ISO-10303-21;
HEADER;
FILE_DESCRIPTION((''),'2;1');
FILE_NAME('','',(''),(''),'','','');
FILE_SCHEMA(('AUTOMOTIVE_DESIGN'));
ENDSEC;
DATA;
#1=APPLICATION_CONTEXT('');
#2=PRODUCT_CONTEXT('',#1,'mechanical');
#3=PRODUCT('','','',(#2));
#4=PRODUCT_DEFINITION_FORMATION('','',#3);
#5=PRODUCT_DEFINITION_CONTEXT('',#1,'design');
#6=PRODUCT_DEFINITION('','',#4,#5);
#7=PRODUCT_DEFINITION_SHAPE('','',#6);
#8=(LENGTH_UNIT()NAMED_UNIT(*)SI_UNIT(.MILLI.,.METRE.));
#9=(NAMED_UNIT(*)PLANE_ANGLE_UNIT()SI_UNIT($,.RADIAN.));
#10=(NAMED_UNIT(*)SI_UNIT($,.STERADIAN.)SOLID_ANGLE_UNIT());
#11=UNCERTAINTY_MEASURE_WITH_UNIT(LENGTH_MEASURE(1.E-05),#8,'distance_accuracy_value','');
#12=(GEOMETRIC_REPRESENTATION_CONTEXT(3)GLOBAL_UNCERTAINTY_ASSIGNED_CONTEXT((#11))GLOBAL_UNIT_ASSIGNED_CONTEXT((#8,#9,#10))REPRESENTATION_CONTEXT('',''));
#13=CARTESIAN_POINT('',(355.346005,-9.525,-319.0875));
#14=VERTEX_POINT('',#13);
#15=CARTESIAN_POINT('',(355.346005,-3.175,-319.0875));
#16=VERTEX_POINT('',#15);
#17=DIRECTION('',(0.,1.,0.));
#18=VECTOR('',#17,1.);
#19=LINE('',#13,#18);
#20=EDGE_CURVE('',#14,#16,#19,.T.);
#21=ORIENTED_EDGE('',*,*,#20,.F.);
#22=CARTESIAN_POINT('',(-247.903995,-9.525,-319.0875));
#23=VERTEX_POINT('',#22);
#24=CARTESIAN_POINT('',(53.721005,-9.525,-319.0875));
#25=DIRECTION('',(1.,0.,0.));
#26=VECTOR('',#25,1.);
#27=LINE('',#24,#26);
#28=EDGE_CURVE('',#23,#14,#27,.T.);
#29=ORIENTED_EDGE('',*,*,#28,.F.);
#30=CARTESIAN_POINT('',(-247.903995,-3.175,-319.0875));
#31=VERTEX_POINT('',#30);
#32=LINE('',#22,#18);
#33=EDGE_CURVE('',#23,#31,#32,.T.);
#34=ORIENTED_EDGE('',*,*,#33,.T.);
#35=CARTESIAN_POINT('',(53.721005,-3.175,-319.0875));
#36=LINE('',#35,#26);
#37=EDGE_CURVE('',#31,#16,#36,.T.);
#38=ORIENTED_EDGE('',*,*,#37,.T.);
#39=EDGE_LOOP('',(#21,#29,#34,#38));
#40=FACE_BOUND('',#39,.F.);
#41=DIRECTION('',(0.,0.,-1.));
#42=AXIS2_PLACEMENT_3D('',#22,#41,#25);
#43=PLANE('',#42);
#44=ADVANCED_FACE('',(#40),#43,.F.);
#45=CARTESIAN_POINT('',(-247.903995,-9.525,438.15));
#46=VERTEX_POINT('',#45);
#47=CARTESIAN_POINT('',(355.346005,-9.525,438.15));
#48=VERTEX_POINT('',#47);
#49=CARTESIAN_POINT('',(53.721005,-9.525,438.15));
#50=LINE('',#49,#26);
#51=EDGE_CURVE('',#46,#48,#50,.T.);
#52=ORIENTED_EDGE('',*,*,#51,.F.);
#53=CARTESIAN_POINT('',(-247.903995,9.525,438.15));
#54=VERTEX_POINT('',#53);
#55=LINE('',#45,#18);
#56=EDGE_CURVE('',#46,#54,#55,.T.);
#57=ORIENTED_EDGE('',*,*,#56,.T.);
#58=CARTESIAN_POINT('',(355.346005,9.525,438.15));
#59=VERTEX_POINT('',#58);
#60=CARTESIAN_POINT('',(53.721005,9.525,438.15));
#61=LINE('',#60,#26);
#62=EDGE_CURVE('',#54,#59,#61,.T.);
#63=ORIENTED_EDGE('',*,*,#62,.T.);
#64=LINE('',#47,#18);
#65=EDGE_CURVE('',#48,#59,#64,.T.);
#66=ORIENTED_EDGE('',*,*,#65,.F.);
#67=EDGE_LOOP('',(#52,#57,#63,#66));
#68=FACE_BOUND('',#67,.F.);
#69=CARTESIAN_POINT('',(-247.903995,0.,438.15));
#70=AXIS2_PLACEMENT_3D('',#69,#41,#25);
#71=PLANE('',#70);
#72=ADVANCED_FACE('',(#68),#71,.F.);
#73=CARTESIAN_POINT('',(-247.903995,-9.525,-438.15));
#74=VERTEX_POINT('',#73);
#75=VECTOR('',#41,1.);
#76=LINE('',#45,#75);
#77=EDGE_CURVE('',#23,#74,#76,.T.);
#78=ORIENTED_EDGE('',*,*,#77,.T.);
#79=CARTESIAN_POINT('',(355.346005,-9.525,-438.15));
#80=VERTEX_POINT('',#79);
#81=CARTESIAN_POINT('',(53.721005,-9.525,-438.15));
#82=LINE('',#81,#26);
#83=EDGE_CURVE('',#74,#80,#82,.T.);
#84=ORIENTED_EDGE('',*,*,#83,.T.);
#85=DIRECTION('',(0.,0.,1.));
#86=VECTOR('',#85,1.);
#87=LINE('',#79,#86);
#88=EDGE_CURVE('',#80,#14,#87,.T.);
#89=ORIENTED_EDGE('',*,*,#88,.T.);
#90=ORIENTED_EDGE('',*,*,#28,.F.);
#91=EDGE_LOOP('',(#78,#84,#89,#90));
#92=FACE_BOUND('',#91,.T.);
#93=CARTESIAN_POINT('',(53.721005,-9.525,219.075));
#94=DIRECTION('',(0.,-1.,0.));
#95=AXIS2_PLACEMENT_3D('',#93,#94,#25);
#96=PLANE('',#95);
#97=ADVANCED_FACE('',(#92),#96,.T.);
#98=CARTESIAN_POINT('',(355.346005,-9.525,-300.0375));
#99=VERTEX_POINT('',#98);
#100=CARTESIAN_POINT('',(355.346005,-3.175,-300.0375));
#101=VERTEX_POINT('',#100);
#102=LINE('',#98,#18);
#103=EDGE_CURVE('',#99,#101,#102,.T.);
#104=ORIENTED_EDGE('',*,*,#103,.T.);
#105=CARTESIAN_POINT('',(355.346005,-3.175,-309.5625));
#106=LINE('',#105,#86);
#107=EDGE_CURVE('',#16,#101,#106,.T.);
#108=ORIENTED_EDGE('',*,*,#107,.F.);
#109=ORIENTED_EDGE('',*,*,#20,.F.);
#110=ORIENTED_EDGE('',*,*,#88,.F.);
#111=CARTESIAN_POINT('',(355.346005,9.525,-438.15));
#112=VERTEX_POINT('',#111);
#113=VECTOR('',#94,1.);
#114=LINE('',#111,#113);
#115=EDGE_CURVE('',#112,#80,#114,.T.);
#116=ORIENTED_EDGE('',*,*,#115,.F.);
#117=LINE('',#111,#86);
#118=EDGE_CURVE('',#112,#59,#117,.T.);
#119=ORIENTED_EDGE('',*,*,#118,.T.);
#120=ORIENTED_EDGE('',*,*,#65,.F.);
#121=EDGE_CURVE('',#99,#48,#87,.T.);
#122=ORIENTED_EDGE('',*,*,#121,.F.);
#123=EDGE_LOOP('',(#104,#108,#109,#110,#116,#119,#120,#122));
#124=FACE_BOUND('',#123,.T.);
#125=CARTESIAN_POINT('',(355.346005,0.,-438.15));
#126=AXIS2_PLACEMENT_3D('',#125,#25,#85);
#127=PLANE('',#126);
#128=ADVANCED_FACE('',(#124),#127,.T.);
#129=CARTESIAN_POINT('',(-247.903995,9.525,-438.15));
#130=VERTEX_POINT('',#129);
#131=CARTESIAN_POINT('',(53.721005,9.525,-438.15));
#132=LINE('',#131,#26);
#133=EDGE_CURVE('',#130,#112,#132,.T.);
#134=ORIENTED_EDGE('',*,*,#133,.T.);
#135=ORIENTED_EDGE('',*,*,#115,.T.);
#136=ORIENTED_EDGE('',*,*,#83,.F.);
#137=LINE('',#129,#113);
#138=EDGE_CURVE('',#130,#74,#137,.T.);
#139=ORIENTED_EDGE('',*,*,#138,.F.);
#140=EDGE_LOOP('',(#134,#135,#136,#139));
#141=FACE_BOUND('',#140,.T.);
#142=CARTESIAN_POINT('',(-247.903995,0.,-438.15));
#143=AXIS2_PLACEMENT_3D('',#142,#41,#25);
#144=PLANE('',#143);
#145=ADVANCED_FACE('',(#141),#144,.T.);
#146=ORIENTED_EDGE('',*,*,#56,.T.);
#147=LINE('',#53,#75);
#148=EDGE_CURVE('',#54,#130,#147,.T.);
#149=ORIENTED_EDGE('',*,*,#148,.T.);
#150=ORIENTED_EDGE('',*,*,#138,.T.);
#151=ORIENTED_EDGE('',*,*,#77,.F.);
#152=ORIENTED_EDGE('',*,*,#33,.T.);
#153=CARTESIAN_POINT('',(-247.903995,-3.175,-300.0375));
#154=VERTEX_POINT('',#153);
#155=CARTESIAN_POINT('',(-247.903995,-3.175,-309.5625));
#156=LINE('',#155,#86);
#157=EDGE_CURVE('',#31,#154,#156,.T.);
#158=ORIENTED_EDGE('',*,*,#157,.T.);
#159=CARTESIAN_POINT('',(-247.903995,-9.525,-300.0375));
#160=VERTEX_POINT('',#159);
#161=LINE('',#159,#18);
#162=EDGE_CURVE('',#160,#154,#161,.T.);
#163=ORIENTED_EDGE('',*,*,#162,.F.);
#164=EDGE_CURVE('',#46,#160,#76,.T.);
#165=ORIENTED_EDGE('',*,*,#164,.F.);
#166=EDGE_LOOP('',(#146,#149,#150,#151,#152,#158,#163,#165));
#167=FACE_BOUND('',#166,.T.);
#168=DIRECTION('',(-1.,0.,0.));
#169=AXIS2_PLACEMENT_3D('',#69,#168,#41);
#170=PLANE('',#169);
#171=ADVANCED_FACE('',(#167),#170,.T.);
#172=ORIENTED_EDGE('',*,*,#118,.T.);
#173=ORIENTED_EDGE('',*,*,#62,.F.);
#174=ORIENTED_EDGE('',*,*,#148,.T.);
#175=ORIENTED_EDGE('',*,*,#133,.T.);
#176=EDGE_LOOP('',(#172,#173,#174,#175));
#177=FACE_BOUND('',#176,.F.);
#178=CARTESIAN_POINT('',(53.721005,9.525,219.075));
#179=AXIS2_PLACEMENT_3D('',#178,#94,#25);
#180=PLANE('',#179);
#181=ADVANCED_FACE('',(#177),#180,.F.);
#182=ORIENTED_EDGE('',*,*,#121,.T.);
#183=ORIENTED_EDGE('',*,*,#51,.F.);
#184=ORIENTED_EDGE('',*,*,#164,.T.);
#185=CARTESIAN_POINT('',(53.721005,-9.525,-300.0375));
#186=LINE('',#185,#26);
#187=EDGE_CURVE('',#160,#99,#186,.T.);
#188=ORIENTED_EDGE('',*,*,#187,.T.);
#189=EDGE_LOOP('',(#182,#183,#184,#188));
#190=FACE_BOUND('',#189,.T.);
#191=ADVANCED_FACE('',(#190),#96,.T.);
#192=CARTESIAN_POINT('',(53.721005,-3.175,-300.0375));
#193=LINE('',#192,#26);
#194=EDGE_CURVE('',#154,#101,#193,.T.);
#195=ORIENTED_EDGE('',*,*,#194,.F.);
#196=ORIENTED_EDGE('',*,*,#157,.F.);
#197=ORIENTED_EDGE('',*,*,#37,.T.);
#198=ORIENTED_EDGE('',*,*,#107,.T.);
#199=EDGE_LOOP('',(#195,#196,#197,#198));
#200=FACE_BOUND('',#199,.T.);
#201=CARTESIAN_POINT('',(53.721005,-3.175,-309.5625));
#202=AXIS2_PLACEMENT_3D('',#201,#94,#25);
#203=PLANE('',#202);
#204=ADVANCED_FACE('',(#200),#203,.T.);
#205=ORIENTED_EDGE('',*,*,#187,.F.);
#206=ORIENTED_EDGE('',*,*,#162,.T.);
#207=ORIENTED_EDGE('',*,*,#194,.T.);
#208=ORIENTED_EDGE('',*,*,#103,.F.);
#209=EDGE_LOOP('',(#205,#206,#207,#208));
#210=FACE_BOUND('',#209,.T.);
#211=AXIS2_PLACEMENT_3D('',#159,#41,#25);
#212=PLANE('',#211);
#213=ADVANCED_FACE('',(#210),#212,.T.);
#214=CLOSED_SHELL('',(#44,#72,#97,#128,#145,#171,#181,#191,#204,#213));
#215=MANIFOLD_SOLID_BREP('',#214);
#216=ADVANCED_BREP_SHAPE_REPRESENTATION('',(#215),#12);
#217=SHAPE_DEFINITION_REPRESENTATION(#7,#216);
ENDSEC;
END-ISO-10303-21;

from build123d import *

# Parameters (mm, degrees)
F0_W     = 603.25
F0_H     = 438.15
F1_DEPTH = 9.525
F3_W     = 603.25
F3_H     = 19.05
F4_DEPTH = 6.35


with BuildPart() as f1:
    # F0 (on Front) → F1 (new body, symmetric)
    with BuildSketch(Plane.XZ):
        with Locations((53.7210046741, 219.075)):
            Rectangle(F0_W, F0_H)
        with Locations((53.7210046741, -219.075)):
            Rectangle(F0_W, F0_H)
    extrude(amount=F1_DEPTH, both=True)

    # F3 (on face) → F4 (cut)
    with BuildSketch(Plane.XZ.offset(9.525)):
        with Locations((53.7210046741, -309.5625)):
            Rectangle(F3_W, F3_H)
    extrude(amount=-F4_DEPTH, mode=Mode.SUBTRACT)


solid = f1.part
